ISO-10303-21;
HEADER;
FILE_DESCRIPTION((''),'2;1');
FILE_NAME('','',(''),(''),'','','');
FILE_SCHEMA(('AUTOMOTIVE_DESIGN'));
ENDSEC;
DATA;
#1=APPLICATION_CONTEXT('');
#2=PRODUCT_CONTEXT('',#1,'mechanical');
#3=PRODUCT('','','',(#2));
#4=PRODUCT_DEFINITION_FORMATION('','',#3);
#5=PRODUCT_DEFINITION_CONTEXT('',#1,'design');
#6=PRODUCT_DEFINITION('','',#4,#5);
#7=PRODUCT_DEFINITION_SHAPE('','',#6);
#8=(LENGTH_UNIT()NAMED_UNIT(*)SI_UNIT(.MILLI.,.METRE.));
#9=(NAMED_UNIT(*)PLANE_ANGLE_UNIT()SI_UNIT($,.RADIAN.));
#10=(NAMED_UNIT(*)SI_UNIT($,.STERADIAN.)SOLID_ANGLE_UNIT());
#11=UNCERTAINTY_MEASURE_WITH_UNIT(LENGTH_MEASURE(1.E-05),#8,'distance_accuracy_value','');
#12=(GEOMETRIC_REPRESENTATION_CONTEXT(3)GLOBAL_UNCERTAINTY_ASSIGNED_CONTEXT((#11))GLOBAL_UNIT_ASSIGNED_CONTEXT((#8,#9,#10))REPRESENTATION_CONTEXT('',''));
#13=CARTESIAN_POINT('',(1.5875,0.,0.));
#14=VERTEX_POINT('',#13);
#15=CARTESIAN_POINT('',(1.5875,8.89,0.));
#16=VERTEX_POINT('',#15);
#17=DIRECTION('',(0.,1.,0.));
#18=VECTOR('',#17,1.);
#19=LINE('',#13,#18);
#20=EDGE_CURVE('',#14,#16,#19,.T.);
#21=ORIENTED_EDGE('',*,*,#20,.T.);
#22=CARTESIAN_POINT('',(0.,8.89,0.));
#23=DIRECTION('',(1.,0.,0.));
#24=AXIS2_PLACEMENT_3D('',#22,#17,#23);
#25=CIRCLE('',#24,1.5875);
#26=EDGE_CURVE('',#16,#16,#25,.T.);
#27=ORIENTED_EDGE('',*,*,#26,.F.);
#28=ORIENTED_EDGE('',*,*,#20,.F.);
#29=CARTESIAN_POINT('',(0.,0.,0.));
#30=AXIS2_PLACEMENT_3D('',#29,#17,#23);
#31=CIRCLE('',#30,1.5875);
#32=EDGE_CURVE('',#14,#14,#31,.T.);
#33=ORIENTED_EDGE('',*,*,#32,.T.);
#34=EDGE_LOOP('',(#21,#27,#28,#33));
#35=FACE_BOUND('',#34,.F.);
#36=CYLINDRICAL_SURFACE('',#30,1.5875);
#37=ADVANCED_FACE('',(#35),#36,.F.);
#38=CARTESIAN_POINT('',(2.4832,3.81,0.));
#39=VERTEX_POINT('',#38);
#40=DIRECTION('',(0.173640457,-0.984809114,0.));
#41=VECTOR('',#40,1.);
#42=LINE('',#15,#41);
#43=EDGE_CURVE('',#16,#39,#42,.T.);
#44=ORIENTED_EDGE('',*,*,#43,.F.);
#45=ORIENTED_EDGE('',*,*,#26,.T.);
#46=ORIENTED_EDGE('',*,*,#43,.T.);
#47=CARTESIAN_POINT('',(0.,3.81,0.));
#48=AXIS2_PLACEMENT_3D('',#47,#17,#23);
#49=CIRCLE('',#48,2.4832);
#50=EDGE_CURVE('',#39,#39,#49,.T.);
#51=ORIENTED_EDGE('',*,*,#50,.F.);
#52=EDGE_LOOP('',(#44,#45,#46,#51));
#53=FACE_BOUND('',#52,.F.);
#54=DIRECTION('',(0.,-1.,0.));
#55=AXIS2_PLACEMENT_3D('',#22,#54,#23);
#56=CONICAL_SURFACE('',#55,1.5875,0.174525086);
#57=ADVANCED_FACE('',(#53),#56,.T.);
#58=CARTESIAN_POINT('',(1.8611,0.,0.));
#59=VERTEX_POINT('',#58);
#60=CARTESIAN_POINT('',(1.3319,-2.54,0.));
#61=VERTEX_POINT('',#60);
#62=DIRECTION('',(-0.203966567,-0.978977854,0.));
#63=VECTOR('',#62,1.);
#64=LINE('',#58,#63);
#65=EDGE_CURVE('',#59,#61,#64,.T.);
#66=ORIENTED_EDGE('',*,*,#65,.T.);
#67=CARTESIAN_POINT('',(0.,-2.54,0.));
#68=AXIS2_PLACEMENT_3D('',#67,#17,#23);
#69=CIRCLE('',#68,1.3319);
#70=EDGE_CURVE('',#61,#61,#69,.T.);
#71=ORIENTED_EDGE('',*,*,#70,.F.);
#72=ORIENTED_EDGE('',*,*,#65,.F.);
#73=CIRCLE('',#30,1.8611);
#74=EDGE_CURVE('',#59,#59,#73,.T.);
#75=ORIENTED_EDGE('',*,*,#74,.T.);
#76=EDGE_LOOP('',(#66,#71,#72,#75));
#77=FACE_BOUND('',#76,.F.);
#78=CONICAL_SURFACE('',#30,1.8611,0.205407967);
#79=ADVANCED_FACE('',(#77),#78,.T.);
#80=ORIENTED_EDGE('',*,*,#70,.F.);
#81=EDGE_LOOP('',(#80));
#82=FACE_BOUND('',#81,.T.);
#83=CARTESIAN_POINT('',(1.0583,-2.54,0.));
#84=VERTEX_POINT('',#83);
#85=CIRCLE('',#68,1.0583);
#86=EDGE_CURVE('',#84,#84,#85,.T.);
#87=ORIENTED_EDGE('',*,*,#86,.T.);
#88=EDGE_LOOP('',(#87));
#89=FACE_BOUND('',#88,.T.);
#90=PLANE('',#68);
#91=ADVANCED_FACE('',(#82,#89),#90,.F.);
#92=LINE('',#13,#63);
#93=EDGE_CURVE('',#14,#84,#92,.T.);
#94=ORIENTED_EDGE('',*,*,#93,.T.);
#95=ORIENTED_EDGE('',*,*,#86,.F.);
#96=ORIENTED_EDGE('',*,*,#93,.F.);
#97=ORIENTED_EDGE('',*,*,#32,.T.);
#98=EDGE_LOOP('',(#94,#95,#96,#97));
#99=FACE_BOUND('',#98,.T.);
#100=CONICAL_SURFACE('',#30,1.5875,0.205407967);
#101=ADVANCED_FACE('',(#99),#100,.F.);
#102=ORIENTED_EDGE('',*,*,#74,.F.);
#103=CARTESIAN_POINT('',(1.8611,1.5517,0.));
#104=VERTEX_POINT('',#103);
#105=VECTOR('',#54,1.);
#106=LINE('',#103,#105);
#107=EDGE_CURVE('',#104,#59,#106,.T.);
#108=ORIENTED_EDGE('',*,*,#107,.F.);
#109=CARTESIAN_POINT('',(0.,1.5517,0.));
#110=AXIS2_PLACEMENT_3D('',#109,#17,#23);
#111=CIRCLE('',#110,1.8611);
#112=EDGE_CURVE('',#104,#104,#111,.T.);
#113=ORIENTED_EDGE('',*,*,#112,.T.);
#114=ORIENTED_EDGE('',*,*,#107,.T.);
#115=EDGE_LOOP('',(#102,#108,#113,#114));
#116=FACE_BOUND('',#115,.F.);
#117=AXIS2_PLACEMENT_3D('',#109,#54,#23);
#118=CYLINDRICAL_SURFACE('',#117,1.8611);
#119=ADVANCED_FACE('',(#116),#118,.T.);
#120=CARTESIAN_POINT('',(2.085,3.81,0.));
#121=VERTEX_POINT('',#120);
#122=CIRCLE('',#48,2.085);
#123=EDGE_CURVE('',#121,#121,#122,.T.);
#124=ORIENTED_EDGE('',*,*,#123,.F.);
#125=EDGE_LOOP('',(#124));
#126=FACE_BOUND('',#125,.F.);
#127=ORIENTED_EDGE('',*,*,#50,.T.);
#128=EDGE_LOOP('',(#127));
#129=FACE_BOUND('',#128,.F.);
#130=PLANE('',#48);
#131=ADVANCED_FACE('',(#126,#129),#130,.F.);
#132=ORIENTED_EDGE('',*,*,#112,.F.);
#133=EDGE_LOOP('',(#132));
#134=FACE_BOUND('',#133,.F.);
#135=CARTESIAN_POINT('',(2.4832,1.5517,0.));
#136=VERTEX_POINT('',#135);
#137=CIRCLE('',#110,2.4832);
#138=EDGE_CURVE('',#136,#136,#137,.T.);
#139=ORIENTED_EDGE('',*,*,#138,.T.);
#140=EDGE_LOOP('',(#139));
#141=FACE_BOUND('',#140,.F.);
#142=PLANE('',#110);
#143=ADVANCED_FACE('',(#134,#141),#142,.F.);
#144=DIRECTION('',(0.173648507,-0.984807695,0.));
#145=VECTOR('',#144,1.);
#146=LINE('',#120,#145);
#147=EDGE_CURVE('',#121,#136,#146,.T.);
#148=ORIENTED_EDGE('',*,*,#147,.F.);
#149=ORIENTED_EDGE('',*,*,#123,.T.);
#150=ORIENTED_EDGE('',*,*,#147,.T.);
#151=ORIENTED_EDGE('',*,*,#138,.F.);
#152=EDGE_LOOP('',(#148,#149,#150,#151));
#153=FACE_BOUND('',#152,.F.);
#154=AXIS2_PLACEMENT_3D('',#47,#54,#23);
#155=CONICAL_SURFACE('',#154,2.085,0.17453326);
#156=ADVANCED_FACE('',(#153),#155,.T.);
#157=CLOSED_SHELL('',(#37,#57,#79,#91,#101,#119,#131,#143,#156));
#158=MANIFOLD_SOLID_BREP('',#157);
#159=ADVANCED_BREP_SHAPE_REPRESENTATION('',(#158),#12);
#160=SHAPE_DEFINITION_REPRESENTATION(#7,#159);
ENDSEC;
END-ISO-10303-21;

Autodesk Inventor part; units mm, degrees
ref_plane "YZ Plane" through (0, 0, 0) normal (1, 0, 0) x (0, 1, 0)
ref_plane "XZ Plane" through (0, 0, 0) normal (0, 1, 0) x (-1, 0, 0)
ref_plane "XY Plane" through (0, 0, 0) normal (0, 0, 1) x (1, 0, 0)
sketch "Sketch1" plane through (0, 0, 0) normal (0, 0, 1) x (1, 0, 0)
  line L0 (1.5875, 0) -> (1.5875, 8.89)
  line L1 (1.5875, 8.89) -> (2.4832, 3.81)
  line L2 (1.5875, 8.89) -> (6.7459, 8.89) construction
  line L3 (2.4832, 3.81) -> (2.085, 3.81)
  line L4 (2.085, 3.81) -> (2.4832, 1.5517)
  line L5 (2.4832, 1.5517) -> (1.8611, 1.5517)
  line L6 (1.8611, 1.5517) -> (1.8611, 0)
  line L7 (1.8611, 0) -> (1.5875, 0)
  line L8 (0, -4.826) -> (0, 11.176) projected
  line L9 (1.5875, 0) -> (1.8611, 0)
  line L10 (1.8611, 0) -> (1.8611, -2.54) construction
  line L11 (1.8611, -2.54) -> (1.5875, -2.54) construction
  line L12 (1.5875, -2.54) -> (1.5875, 0) construction
  line L13 (1.5875, 0) -> (1.0583, -2.54)
  line L14 (1.0583, -2.54) -> (1.5875, -2.54) construction
  line L15 (1.8611, 0) -> (1.3319, -2.54)
  line L16 (1.0583, -2.54) -> (1.3319, -2.54)
  point P0 (0, 0)
  point P1 (2.1722, 1.5517)
  dimension "d1" = 1.5875
  dimension "d3" = 0
  dimension "d4" = 80
  dimension "d5" = 0.3982
  dimension "d6" = 2.2583
  dimension "d7" = 1.5517
  dimension "d8" = 1.8611
  dimension "d10" = 8.89
  dimension "d11" = 2.54
  dimension "d12" = 0.2736
  dimension "d17" = 0.2736
  dimension "d18" = 1.0583
revolve "Revolution2" add sketch "Sketch1" angle 360 about axis through (0, -10, 0) along (0, 1, 0)
properties part number "eigthinch"
